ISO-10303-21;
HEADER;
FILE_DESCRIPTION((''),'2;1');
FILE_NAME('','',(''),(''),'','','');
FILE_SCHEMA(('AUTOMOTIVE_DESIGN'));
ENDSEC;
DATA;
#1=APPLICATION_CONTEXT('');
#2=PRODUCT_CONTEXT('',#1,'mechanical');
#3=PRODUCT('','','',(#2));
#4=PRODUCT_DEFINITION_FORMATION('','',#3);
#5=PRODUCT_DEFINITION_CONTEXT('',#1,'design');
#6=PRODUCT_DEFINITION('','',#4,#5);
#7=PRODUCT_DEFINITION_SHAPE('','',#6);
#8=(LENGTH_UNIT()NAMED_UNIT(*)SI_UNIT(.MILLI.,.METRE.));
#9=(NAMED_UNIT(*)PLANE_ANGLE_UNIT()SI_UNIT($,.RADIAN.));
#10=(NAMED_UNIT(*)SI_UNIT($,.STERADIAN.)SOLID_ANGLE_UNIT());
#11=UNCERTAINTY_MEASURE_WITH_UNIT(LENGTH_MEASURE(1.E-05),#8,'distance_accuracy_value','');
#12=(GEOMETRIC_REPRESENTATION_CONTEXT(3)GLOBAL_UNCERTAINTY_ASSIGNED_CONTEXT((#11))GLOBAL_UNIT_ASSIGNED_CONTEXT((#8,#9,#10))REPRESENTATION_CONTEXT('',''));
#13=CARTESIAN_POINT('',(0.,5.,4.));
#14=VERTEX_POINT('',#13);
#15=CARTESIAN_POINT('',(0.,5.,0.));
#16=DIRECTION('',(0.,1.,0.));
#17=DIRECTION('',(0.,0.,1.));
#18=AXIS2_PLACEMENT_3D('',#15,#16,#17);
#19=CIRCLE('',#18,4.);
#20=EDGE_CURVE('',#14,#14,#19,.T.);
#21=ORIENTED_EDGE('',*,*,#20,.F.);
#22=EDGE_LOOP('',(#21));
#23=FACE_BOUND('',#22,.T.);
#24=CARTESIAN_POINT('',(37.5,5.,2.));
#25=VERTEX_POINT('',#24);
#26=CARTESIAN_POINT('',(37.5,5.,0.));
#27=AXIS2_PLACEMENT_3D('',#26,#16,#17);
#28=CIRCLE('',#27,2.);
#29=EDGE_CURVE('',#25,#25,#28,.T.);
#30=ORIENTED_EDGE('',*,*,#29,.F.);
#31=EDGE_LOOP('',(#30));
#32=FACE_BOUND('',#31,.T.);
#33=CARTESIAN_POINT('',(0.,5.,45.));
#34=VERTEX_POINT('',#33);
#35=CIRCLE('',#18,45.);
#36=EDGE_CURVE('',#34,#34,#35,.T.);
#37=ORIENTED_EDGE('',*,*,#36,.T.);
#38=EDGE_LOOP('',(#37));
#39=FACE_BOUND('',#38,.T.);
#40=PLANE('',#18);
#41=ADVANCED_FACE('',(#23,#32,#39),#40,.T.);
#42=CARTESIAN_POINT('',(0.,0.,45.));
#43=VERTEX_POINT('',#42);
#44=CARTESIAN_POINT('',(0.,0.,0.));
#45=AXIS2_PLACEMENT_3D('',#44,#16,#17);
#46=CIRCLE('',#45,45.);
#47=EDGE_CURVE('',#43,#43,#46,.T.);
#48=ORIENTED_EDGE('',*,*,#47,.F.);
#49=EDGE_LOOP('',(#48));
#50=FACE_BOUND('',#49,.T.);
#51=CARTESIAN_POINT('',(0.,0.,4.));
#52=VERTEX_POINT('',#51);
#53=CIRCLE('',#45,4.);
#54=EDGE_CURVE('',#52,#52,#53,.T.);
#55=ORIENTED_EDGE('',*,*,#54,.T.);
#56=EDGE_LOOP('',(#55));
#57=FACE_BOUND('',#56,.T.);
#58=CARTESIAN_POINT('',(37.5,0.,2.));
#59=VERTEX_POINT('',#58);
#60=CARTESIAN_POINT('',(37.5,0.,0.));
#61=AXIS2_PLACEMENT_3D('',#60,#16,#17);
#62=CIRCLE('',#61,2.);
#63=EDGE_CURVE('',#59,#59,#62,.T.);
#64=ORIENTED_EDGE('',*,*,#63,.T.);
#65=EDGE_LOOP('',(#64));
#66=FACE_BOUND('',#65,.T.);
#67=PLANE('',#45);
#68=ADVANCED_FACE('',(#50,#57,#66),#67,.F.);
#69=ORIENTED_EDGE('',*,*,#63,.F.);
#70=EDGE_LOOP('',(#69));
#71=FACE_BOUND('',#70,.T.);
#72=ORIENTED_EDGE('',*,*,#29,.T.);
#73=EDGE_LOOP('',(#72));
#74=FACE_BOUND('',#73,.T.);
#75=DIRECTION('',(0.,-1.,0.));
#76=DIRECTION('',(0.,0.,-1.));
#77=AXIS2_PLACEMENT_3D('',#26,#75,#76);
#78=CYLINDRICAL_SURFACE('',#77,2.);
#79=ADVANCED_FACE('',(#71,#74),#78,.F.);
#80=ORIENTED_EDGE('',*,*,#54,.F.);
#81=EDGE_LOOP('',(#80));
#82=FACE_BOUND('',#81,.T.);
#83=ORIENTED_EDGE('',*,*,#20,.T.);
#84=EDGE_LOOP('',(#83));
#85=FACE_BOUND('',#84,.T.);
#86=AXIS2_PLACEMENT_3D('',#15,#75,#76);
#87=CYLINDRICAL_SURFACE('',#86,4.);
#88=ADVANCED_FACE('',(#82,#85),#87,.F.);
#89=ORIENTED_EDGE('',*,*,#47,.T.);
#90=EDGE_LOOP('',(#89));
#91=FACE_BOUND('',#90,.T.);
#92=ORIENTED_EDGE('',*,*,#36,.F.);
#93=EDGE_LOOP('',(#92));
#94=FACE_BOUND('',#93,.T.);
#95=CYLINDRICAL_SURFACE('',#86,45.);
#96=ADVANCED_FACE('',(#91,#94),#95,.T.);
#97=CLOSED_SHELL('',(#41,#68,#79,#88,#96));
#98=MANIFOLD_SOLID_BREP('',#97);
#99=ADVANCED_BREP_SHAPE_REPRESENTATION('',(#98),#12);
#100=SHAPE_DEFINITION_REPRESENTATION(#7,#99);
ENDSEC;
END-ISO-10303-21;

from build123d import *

# Parameters (mm, degrees)
SKETCH1_R           = 45
SKETCH1_R_2         = 4
SKETCH1_R_3         = 2
BOSS_EXTRUDE1_DEPTH = 5


with BuildPart() as part:
    # Sketch1 → Boss-Extrude1 (new body)
    with BuildSketch(Plane(origin=(0, 0, 0), x_dir=(1, 0, 0), z_dir=(0, 1, 0))):
        Circle(SKETCH1_R)
        Circle(SKETCH1_R_2, mode=Mode.SUBTRACT)
        with Locations((37.5, 0)):
            Circle(SKETCH1_R_3, mode=Mode.SUBTRACT)
    extrude(amount=BOSS_EXTRUDE1_DEPTH)


solid = part.part
